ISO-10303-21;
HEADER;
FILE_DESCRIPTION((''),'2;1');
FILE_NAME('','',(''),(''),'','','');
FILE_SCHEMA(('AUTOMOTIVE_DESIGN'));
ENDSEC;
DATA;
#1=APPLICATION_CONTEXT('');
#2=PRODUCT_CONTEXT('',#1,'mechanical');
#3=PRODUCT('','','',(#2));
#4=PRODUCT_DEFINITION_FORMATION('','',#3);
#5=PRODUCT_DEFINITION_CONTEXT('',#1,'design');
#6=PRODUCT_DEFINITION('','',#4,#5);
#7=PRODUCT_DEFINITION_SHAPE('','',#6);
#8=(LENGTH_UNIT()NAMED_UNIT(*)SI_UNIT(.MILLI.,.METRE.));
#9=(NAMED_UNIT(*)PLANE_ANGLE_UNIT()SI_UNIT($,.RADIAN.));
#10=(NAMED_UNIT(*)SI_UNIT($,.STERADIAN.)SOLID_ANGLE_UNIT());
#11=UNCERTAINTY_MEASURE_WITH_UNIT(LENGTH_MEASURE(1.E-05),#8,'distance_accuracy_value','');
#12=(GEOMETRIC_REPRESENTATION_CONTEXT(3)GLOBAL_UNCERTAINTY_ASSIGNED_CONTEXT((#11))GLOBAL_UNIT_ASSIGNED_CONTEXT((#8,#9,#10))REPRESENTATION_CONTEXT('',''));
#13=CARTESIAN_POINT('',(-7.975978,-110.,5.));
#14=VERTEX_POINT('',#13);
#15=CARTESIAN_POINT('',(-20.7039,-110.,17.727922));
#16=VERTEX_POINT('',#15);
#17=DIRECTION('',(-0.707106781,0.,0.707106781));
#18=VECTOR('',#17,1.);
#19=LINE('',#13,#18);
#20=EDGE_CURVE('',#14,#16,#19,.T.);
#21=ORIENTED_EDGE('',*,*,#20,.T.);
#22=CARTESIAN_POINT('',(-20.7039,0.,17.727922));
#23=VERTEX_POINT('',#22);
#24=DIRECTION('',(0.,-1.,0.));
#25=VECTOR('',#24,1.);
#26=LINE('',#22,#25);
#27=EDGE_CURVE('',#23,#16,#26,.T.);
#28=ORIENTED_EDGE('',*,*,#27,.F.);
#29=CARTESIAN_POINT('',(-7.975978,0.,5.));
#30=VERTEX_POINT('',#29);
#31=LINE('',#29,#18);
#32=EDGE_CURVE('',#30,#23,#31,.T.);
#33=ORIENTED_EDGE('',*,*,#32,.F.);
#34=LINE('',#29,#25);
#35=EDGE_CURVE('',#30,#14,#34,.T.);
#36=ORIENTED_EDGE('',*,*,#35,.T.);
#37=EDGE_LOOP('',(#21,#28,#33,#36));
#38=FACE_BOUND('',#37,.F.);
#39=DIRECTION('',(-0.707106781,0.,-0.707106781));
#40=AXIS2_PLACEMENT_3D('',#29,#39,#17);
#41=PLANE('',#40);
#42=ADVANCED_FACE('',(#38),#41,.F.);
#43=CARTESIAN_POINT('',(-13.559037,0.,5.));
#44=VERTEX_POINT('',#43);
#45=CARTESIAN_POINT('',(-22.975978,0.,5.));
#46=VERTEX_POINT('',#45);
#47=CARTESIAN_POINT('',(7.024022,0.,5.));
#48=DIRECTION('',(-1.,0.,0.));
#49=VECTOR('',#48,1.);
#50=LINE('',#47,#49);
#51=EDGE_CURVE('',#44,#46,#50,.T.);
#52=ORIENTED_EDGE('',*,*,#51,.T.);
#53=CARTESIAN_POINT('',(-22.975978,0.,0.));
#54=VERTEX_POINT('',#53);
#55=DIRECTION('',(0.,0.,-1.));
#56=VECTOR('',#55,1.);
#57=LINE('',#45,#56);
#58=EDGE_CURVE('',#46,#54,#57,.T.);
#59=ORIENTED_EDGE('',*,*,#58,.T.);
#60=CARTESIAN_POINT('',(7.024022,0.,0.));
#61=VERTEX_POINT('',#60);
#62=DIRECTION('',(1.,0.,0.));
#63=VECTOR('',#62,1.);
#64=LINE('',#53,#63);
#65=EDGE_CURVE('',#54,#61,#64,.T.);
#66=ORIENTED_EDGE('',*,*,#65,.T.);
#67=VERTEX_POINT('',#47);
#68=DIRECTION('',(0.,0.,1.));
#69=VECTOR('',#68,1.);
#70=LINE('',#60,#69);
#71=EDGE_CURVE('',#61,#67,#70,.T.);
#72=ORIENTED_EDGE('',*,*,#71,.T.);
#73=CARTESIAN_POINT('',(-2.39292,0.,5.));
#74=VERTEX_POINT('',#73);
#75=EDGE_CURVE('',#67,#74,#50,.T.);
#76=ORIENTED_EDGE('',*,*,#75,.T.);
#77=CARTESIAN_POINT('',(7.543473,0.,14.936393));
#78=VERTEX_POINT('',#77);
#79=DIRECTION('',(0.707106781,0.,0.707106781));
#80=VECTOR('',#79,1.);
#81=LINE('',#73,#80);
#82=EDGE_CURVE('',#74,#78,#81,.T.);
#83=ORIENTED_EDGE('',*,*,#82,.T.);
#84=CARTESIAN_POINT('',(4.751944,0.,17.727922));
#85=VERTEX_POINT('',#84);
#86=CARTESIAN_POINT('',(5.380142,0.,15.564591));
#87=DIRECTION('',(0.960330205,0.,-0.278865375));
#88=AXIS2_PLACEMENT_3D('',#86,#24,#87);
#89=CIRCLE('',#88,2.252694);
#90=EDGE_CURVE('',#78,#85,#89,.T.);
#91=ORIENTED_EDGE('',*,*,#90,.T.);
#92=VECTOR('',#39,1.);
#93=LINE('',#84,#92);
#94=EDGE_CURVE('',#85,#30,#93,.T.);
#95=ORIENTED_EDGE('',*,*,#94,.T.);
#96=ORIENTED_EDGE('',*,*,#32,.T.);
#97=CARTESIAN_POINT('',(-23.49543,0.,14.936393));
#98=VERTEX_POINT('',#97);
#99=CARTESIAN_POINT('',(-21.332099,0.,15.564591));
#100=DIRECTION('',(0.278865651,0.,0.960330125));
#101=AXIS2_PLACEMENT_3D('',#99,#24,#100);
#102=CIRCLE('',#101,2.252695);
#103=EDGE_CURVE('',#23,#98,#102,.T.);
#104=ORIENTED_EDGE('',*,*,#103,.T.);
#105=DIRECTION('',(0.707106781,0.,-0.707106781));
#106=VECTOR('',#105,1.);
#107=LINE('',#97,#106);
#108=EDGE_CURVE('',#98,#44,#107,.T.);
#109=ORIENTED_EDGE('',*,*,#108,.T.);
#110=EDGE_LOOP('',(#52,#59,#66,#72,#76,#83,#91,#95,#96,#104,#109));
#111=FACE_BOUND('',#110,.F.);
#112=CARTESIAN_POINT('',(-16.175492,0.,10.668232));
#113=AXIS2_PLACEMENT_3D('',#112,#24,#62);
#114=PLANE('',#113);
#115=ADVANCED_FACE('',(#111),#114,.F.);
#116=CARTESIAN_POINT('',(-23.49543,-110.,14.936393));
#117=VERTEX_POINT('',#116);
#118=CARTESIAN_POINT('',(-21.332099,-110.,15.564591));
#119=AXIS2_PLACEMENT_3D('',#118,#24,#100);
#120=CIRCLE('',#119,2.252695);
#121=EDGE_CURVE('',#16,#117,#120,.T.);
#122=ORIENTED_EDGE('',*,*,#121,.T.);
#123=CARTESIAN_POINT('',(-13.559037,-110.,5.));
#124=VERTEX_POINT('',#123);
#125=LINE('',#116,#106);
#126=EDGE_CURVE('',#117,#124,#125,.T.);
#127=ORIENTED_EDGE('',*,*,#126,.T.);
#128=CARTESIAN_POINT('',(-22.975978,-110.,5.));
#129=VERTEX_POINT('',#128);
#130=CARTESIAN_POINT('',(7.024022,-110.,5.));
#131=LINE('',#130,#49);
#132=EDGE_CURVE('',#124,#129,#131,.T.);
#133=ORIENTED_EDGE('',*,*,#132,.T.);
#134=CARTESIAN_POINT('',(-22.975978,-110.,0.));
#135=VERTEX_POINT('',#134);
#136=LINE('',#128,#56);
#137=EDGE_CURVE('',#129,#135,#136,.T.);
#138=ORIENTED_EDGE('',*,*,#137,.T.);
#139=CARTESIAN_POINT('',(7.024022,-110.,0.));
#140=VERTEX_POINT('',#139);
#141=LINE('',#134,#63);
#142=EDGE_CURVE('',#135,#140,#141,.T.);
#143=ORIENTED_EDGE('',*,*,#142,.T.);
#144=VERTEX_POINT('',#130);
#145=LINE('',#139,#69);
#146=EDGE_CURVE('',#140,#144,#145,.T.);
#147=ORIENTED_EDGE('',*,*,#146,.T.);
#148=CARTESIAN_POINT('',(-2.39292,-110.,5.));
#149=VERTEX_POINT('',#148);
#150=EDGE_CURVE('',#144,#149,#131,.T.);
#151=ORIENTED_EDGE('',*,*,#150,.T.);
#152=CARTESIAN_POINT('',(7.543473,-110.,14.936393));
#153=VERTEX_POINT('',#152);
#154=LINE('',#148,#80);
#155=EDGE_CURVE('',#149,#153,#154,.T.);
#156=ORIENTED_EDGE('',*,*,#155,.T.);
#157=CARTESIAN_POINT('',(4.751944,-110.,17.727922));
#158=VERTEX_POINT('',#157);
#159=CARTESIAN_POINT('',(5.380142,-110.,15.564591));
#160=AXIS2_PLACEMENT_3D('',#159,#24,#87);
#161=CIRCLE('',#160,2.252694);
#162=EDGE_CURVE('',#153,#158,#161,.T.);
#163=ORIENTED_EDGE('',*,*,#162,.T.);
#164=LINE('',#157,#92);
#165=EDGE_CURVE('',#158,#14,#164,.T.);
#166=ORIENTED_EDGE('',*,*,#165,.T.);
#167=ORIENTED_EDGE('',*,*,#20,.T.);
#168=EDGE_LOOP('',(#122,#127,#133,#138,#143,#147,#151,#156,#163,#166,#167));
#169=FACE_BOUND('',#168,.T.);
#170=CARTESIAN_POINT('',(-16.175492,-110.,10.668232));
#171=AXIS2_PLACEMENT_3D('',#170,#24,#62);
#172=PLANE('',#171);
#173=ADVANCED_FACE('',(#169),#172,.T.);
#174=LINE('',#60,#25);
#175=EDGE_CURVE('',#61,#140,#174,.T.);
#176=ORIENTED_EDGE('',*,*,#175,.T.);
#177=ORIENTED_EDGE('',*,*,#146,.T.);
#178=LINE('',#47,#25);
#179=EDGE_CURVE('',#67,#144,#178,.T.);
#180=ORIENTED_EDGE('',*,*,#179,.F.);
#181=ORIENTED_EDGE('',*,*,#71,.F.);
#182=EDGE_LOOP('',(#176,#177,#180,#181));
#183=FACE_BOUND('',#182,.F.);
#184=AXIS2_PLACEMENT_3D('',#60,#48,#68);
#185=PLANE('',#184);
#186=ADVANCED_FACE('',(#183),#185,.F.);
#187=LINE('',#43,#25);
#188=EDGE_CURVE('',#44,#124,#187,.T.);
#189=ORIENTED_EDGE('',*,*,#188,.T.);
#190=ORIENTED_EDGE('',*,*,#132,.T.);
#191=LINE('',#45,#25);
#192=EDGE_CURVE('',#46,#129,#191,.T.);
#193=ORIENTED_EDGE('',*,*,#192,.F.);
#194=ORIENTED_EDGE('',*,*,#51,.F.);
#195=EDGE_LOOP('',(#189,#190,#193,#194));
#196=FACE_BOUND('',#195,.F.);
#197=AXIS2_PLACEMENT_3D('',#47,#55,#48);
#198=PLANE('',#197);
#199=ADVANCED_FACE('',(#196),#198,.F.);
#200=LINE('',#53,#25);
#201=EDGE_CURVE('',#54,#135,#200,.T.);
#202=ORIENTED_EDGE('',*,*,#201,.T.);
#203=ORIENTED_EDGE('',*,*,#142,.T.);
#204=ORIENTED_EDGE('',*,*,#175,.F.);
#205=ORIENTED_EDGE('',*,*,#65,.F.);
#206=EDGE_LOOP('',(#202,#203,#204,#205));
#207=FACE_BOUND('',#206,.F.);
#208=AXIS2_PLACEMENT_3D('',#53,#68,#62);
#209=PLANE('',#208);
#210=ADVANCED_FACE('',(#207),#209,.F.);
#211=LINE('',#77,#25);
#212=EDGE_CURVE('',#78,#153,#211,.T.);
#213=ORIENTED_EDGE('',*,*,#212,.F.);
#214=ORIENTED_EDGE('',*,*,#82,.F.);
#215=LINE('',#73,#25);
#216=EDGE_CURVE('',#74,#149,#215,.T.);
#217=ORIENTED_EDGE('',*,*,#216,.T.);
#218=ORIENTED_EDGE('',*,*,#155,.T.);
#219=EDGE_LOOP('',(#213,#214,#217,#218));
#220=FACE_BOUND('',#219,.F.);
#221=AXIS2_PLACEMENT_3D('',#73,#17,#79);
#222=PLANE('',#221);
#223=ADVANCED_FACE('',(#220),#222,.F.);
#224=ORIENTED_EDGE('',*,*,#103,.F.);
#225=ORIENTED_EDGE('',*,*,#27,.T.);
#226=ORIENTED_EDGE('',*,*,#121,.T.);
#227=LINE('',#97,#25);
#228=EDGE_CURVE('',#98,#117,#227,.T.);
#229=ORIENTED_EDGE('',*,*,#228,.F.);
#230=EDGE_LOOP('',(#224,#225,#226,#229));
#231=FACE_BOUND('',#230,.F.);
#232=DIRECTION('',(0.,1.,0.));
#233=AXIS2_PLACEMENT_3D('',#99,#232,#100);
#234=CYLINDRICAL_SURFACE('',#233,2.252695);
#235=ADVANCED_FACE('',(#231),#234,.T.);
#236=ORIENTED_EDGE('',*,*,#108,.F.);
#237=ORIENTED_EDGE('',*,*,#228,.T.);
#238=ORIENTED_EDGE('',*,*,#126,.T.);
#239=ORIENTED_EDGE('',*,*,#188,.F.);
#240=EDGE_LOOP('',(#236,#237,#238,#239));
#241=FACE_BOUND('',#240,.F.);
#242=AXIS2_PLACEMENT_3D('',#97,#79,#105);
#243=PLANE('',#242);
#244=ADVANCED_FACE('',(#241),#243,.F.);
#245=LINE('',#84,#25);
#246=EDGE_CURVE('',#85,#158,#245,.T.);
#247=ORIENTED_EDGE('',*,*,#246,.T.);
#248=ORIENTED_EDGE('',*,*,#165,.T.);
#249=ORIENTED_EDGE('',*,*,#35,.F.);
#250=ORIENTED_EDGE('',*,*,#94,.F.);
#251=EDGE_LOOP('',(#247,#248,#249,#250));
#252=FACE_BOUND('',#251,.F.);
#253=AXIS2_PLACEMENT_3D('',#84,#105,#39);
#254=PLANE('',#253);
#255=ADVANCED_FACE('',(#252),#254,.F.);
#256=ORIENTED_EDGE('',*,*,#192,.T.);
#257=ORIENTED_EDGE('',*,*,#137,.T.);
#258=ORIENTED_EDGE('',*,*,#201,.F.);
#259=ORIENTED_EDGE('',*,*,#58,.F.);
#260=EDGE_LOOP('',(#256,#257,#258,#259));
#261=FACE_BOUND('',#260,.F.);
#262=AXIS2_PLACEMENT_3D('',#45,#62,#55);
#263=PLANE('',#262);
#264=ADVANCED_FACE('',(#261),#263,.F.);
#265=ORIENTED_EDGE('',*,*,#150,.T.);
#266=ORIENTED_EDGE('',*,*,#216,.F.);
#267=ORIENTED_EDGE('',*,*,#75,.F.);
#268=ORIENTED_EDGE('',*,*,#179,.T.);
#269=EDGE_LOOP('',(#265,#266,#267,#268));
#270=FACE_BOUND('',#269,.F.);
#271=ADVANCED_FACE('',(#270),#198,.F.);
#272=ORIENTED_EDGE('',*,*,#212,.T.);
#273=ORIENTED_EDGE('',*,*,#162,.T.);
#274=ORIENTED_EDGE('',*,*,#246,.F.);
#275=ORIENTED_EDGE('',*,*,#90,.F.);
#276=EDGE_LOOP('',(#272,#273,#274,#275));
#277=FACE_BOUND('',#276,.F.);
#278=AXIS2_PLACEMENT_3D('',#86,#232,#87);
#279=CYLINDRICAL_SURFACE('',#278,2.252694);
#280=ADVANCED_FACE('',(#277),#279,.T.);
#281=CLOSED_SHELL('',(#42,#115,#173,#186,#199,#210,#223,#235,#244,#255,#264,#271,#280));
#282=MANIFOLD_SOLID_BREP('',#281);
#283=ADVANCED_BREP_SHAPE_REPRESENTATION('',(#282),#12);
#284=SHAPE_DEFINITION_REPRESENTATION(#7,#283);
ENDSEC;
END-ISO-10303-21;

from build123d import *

# Parameters (mm, degrees)
F1_DEPTH = 110
F2_DEPTH = 110


with BuildPart() as f1:
    # F0 (on Front) → F1 (new body)
    with BuildSketch(Plane.XZ):
        Polygon((-22.975978, 5), (-22.975978, 0), (7.024022, 0), (7.024022, 5), (-2.39292, 5), (-7.975978, 5), (-13.559037, 5), align=None)
    extrude(amount=F1_DEPTH)

    # F0 (on Front) → F2 (join)
    with BuildSketch(Plane.XZ):
        with BuildLine():
            Line((-23.49543, 14.936393), (-13.559037, 5))
            Line((-13.559037, 5), (-7.975978, 5))
            Line((-7.975978, 5), (-20.7039, 17.727922))
            ThreePointArc((-20.7039, 17.727922), (-22.924995, 17.157487), (-23.49543, 14.936393))
        make_face()
        with BuildLine():
            Line((-7.975978, 5), (-2.39292, 5))
            Line((-2.39292, 5), (7.543473, 14.936393))
            ThreePointArc((7.543473, 14.936393), (6.973038, 17.157487), (4.751944, 17.727922))
            Line((4.751944, 17.727922), (-7.975978, 5))
        make_face()
    extrude(amount=F2_DEPTH)


solid = f1.part
